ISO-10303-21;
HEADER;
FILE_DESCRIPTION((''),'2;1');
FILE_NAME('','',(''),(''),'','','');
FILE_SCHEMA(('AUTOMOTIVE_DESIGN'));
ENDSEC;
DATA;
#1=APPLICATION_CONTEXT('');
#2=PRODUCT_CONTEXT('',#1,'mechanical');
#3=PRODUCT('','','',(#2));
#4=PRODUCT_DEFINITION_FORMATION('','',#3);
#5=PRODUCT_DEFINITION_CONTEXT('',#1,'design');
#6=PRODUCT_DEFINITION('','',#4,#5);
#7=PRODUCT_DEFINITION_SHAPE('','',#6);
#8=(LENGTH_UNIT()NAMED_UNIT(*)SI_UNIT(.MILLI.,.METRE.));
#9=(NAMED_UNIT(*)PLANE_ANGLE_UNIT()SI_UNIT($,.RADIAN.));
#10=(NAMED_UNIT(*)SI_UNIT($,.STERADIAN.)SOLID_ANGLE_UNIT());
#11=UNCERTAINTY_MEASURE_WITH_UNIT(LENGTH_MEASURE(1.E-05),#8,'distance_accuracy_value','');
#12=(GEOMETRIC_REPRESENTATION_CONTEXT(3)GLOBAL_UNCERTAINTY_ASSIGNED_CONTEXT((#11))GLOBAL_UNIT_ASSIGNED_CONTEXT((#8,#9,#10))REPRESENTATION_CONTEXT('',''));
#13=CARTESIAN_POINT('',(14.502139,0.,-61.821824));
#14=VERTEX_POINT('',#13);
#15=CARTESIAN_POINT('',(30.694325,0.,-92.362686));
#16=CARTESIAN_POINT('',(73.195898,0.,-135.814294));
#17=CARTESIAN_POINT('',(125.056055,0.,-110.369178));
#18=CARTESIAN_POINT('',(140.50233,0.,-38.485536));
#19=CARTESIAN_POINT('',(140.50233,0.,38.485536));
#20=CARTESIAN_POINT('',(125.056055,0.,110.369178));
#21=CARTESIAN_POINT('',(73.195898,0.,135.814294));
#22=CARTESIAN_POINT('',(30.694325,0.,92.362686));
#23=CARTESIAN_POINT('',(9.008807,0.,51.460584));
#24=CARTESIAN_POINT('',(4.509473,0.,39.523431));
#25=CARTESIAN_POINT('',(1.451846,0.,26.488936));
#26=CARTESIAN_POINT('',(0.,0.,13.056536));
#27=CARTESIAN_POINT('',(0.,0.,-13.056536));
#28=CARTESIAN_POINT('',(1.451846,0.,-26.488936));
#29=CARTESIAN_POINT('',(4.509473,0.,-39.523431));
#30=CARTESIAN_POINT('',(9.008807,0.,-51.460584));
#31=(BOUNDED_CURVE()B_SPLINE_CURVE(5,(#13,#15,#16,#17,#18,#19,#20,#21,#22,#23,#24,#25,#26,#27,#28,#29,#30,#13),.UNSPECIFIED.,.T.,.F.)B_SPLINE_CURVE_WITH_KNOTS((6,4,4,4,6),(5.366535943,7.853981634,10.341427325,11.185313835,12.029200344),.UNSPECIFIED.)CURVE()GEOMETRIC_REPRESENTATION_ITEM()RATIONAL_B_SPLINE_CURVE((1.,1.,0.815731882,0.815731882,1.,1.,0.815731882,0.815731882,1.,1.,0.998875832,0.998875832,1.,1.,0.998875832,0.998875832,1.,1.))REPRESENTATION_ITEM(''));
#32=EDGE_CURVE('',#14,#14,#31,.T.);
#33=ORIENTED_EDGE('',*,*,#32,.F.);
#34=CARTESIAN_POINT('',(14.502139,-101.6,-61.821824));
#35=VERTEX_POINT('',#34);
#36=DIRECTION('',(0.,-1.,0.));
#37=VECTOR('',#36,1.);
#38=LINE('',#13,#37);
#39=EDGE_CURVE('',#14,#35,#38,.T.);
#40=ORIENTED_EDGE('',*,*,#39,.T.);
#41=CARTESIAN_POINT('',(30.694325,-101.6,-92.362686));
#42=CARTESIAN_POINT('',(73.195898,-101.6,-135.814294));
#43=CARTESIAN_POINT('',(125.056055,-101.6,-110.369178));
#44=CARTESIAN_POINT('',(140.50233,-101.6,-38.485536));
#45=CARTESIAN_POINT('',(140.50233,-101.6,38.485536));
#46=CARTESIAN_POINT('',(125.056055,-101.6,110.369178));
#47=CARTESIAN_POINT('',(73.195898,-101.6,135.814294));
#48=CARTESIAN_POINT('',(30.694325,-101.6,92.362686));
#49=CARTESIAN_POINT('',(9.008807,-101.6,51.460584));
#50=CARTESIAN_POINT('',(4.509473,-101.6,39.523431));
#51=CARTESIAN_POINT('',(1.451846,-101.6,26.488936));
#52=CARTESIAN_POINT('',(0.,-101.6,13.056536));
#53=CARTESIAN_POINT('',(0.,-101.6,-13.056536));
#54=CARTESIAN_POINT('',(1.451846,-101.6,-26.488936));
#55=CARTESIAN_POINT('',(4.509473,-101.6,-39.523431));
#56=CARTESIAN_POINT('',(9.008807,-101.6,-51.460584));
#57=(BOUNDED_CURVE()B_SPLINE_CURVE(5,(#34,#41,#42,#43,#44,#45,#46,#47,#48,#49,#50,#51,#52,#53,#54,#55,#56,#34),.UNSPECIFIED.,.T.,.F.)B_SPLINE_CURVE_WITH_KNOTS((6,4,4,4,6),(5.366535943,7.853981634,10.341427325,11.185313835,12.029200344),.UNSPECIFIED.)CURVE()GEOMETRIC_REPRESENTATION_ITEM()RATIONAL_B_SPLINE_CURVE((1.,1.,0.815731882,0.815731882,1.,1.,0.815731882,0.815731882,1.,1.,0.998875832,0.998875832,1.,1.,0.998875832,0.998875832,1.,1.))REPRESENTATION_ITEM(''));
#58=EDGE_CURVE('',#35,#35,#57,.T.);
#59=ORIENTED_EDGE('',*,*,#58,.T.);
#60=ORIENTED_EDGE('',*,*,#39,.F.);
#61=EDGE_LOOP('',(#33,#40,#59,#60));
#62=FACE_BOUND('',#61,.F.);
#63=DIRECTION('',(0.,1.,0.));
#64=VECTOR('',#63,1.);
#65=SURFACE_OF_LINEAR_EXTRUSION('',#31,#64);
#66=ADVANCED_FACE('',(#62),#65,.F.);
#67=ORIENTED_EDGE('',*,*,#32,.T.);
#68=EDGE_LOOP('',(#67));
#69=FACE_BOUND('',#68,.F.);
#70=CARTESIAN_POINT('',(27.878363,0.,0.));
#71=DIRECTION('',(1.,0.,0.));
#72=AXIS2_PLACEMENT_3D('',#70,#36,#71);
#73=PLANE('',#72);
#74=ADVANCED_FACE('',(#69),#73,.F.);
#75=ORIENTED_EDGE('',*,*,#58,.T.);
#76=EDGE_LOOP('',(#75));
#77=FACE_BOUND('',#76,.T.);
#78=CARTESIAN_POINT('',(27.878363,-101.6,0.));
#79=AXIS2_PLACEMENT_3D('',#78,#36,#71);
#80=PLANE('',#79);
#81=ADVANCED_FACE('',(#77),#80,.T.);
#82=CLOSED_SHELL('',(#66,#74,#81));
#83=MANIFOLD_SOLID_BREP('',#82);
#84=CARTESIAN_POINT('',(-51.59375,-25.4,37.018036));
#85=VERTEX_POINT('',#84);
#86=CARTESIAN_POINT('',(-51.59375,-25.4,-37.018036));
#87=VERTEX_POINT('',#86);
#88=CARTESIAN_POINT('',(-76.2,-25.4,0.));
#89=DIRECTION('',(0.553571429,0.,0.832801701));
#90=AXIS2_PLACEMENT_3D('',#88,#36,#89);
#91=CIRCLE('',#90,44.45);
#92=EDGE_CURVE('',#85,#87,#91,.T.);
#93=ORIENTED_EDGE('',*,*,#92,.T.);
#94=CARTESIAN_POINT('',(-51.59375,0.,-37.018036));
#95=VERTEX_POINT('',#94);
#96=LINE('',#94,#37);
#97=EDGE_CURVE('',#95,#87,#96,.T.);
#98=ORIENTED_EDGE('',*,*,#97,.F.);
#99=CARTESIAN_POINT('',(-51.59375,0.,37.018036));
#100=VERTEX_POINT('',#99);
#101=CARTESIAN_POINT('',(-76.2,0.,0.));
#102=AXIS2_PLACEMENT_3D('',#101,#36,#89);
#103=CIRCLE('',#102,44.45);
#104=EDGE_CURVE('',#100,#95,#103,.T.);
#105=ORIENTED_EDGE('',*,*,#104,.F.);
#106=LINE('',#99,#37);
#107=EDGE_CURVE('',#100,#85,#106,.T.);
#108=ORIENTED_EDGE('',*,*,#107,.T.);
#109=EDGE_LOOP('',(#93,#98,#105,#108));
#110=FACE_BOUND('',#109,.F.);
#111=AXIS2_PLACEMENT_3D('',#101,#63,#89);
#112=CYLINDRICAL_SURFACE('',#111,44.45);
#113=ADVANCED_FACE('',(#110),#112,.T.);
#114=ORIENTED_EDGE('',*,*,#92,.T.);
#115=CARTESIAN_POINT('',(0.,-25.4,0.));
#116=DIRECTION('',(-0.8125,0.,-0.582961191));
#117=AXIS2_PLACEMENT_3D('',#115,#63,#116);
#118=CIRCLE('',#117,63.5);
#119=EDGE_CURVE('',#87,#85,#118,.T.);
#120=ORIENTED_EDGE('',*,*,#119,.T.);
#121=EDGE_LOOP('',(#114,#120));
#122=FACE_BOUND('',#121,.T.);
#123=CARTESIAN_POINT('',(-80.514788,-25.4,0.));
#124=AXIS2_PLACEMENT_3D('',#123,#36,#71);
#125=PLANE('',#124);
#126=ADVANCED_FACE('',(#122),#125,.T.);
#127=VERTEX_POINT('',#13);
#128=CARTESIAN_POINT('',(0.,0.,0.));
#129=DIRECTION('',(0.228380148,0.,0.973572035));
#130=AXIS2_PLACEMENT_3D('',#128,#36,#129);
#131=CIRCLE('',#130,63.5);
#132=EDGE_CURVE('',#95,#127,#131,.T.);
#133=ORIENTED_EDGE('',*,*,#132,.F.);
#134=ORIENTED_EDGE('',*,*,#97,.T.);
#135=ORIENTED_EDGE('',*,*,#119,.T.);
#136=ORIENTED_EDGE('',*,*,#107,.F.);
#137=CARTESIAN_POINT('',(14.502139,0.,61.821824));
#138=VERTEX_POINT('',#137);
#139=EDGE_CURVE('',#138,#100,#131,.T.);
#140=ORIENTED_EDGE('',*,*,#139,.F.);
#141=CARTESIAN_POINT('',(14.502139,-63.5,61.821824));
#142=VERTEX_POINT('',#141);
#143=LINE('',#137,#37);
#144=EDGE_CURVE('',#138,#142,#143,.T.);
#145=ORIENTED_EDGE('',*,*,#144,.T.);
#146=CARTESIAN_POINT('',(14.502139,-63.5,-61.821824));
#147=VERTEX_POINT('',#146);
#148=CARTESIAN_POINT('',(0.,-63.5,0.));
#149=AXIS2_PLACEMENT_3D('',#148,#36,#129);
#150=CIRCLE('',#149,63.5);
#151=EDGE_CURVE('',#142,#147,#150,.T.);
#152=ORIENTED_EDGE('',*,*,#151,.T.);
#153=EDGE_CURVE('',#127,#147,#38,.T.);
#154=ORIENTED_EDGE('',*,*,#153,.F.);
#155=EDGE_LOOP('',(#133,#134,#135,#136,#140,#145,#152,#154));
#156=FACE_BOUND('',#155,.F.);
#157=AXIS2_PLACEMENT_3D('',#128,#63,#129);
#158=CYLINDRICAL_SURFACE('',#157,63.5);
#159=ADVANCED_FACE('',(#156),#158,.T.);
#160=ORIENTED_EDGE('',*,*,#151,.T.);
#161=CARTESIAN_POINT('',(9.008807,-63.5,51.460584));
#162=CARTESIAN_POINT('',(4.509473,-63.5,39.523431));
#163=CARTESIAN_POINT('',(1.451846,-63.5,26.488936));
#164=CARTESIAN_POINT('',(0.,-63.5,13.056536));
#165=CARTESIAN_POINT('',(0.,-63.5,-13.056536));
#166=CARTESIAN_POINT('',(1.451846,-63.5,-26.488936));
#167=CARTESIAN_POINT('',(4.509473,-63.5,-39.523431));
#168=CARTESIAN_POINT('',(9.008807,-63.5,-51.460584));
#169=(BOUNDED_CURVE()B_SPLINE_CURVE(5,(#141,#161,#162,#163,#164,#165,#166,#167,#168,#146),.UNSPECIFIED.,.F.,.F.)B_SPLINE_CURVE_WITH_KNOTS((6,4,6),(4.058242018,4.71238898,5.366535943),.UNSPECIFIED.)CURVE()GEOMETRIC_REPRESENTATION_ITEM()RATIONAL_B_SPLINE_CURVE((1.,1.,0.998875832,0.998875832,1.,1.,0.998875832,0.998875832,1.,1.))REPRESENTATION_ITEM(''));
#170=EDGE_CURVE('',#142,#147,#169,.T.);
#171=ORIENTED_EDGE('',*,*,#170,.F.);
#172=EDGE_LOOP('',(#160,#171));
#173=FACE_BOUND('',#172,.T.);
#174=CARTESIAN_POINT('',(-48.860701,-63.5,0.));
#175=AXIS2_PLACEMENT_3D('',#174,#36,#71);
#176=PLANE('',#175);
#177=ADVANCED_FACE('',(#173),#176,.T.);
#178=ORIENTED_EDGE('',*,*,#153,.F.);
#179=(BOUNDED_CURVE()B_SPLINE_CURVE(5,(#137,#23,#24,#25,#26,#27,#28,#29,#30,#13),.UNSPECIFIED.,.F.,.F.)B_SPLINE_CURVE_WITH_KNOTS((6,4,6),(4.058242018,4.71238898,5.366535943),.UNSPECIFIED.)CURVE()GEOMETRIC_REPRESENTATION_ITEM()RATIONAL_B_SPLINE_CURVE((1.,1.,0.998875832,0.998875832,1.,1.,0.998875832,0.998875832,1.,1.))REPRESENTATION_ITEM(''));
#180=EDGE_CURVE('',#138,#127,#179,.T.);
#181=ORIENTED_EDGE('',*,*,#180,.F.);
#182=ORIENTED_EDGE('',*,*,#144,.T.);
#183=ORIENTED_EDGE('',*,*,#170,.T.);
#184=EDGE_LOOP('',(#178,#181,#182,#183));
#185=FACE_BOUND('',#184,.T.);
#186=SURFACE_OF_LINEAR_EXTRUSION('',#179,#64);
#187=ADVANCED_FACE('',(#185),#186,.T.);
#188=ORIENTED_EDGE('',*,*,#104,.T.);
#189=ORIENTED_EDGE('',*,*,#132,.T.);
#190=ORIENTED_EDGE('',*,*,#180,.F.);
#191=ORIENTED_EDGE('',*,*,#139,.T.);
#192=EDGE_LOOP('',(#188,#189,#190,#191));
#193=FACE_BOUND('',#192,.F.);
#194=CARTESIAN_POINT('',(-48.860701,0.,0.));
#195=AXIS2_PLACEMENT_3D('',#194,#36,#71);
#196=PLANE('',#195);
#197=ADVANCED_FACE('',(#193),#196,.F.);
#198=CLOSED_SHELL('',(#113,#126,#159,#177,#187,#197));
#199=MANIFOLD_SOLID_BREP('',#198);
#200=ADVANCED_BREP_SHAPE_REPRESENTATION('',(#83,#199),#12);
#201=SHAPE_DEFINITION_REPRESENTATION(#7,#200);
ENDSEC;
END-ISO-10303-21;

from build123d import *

# Parameters (mm, degrees)
F1_DEPTH = 25.4
F2_DEPTH = 63.5
F3_DEPTH = 101.6


with BuildPart() as f1:
    # F0 (on Front) → F1 (new body)
    with BuildSketch(Plane.XZ):
        with BuildLine():
            ThreePointArc((-51.59375, -37.0180356169), (-63.5, 0), (-51.59375, 37.0180356169))
            ThreePointArc((-51.59375, 37.0180356169), (-120.65, 0), (-51.59375, -37.0180356169))
        make_face()
    extrude(amount=F1_DEPTH)

    # F0 (on Front) → F2 (join)
    with BuildSketch(Plane.XZ):
        with BuildLine():
            ThreePointArc((-51.59375, -37.0180356169), (-37.0237934934, -21.0006510316), (-31.75, 0))
            ThreePointArc((-31.75, 0), (-37.0237934934, 21.0006510316), (-51.59375, 37.0180356169))
            ThreePointArc((-51.59375, 37.0180356169), (-63.5, 0), (-51.59375, -37.0180356169))
        make_face()
        with BuildLine():
            ThreePointArc((-51.59375, 37.0180356169), (-37.0237934934, 21.0006510316), (-31.75, 0))
            ThreePointArc((-31.75, 0), (-37.0237934934, -21.0006510316), (-51.59375, -37.0180356169))
            ThreePointArc((-51.59375, -37.0180356169), (-22.310398395, -59.451628434), (14.5021394114, -61.8218242411))
            add(Edge.make_bspline(
                [(0, 0), (0, -34.4686397294), (14.5021394114, -61.8218242411)],
                knots=[4.7123889804, 4.7123889804, 4.7123889804, 5.3665359428, 5.3665359428, 5.3665359428], degree=2, weights=[1, 0.946986609, 1]))
            add(Edge.make_bspline(
                [(14.5021394114, 61.8218242411), (0, 34.4686397294), (0, 0)],
                knots=[4.058242018, 4.058242018, 4.058242018, 4.7123889804, 4.7123889804, 4.7123889804], degree=2, weights=[1, 0.946986609, 1]))
            ThreePointArc((14.5021394114, 61.8218242411), (-22.310398395, 59.451628434), (-51.59375, 37.0180356169))
        make_face()
    extrude(amount=F2_DEPTH)


with BuildPart() as f3:
    # F0 (on Front) → F3 (new body)
    with BuildSketch(Plane.XZ):
        with BuildLine():
            ThreePointArc((63.5, 0), (49.7651276127, 39.4421357648), (14.5021394114, 61.8218242411))
            add(Edge.make_bspline(
                [(14.5021394114, 61.8218242411), (0, 34.4686397294), (0, 0)],
                knots=[4.058242018, 4.058242018, 4.058242018, 4.7123889804, 4.7123889804, 4.7123889804], degree=2, weights=[1, 0.946986609, 1]))
            add(Edge.make_bspline(
                [(0, 0), (0, -34.4686397294), (14.5021394114, -61.8218242411)],
                knots=[4.7123889804, 4.7123889804, 4.7123889804, 5.3665359428, 5.3665359428, 5.3665359428], degree=2, weights=[1, 0.946986609, 1]))
            ThreePointArc((14.5021394114, -61.8218242411), (49.7651276127, -39.4421357648), (63.5, 0))
        make_face()
        with BuildLine():
            add(Edge.make_bspline(
                [(14.5021394114, -61.8218242411), (140.5023300358, -299.4768601559), (140.5023300358, 0), (140.5023300358, 299.4768601559), (14.5021394114, 61.8218242411)],
                knots=[5.3665359428, 5.3665359428, 5.3665359428, 7.853981634, 7.853981634, 10.3414273252, 10.3414273252, 10.3414273252], degree=2, weights=[1, 0.321273034, 1, 0.321273034, 1]))
            ThreePointArc((14.5021394114, 61.8218242411), (49.7651276127, 39.4421357648), (63.5, 0))
            ThreePointArc((63.5, 0), (49.7651276127, -39.4421357648), (14.5021394114, -61.8218242411))
        make_face()
    extrude(amount=F3_DEPTH)


solid = Compound([f1.part, f3.part])
